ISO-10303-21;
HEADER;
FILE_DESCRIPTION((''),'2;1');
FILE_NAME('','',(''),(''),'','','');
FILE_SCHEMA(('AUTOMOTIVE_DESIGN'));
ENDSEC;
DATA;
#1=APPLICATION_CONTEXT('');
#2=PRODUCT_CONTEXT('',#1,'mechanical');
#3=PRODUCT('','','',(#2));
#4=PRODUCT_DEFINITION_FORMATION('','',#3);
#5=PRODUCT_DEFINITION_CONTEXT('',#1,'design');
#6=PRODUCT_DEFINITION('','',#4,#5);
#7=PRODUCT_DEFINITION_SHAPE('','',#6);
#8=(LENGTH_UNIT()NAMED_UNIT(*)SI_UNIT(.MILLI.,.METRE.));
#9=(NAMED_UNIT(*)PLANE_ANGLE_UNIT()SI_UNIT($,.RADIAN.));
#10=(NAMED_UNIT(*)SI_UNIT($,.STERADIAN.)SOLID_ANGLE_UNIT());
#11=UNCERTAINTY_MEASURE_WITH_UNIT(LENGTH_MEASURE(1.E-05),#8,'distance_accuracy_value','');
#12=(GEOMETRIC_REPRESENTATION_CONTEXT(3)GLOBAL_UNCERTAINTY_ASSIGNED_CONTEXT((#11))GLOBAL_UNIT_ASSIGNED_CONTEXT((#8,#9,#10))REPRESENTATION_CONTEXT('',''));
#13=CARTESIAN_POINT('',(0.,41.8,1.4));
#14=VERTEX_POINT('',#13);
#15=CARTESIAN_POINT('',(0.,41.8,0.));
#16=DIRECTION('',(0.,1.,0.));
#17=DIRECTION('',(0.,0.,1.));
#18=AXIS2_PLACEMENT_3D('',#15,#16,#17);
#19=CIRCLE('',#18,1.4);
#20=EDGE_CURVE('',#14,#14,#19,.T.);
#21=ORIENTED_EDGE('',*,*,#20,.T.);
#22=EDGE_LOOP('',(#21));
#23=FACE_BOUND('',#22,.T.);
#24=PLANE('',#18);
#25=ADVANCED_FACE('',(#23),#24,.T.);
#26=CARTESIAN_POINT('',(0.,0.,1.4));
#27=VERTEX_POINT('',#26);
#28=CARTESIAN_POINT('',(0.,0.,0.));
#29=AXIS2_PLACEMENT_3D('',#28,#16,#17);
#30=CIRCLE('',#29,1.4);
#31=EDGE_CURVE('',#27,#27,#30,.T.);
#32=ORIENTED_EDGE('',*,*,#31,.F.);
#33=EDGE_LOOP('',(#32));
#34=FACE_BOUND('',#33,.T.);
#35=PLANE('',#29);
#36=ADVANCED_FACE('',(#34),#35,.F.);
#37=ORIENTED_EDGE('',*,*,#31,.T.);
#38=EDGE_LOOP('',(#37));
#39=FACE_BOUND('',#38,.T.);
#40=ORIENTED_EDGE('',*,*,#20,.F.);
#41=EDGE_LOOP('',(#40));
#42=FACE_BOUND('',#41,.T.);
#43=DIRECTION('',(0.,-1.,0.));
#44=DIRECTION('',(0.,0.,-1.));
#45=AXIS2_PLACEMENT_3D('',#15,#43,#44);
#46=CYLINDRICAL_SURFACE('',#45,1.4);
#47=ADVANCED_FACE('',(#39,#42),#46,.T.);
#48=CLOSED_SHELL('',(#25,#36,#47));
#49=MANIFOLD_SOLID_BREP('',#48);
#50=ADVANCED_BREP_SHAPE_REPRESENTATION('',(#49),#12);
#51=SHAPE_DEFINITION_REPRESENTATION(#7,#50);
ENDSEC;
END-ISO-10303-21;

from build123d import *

# Parameters (mm, degrees)
SKETCH_1_R      = 1.4
EXTRUDE_1_DEPTH = 41.8


with BuildPart() as part:
    # 草图1 → 凸台-拉伸1 (new body)
    with BuildSketch(Plane(origin=(0, 0, 0), x_dir=(1, 0, 0), z_dir=(0, 1, 0))):
        with Locations(Location((0, 0, 0), (0, 0, 270))):
            Circle(SKETCH_1_R)
    extrude(amount=EXTRUDE_1_DEPTH)


solid = part.part
